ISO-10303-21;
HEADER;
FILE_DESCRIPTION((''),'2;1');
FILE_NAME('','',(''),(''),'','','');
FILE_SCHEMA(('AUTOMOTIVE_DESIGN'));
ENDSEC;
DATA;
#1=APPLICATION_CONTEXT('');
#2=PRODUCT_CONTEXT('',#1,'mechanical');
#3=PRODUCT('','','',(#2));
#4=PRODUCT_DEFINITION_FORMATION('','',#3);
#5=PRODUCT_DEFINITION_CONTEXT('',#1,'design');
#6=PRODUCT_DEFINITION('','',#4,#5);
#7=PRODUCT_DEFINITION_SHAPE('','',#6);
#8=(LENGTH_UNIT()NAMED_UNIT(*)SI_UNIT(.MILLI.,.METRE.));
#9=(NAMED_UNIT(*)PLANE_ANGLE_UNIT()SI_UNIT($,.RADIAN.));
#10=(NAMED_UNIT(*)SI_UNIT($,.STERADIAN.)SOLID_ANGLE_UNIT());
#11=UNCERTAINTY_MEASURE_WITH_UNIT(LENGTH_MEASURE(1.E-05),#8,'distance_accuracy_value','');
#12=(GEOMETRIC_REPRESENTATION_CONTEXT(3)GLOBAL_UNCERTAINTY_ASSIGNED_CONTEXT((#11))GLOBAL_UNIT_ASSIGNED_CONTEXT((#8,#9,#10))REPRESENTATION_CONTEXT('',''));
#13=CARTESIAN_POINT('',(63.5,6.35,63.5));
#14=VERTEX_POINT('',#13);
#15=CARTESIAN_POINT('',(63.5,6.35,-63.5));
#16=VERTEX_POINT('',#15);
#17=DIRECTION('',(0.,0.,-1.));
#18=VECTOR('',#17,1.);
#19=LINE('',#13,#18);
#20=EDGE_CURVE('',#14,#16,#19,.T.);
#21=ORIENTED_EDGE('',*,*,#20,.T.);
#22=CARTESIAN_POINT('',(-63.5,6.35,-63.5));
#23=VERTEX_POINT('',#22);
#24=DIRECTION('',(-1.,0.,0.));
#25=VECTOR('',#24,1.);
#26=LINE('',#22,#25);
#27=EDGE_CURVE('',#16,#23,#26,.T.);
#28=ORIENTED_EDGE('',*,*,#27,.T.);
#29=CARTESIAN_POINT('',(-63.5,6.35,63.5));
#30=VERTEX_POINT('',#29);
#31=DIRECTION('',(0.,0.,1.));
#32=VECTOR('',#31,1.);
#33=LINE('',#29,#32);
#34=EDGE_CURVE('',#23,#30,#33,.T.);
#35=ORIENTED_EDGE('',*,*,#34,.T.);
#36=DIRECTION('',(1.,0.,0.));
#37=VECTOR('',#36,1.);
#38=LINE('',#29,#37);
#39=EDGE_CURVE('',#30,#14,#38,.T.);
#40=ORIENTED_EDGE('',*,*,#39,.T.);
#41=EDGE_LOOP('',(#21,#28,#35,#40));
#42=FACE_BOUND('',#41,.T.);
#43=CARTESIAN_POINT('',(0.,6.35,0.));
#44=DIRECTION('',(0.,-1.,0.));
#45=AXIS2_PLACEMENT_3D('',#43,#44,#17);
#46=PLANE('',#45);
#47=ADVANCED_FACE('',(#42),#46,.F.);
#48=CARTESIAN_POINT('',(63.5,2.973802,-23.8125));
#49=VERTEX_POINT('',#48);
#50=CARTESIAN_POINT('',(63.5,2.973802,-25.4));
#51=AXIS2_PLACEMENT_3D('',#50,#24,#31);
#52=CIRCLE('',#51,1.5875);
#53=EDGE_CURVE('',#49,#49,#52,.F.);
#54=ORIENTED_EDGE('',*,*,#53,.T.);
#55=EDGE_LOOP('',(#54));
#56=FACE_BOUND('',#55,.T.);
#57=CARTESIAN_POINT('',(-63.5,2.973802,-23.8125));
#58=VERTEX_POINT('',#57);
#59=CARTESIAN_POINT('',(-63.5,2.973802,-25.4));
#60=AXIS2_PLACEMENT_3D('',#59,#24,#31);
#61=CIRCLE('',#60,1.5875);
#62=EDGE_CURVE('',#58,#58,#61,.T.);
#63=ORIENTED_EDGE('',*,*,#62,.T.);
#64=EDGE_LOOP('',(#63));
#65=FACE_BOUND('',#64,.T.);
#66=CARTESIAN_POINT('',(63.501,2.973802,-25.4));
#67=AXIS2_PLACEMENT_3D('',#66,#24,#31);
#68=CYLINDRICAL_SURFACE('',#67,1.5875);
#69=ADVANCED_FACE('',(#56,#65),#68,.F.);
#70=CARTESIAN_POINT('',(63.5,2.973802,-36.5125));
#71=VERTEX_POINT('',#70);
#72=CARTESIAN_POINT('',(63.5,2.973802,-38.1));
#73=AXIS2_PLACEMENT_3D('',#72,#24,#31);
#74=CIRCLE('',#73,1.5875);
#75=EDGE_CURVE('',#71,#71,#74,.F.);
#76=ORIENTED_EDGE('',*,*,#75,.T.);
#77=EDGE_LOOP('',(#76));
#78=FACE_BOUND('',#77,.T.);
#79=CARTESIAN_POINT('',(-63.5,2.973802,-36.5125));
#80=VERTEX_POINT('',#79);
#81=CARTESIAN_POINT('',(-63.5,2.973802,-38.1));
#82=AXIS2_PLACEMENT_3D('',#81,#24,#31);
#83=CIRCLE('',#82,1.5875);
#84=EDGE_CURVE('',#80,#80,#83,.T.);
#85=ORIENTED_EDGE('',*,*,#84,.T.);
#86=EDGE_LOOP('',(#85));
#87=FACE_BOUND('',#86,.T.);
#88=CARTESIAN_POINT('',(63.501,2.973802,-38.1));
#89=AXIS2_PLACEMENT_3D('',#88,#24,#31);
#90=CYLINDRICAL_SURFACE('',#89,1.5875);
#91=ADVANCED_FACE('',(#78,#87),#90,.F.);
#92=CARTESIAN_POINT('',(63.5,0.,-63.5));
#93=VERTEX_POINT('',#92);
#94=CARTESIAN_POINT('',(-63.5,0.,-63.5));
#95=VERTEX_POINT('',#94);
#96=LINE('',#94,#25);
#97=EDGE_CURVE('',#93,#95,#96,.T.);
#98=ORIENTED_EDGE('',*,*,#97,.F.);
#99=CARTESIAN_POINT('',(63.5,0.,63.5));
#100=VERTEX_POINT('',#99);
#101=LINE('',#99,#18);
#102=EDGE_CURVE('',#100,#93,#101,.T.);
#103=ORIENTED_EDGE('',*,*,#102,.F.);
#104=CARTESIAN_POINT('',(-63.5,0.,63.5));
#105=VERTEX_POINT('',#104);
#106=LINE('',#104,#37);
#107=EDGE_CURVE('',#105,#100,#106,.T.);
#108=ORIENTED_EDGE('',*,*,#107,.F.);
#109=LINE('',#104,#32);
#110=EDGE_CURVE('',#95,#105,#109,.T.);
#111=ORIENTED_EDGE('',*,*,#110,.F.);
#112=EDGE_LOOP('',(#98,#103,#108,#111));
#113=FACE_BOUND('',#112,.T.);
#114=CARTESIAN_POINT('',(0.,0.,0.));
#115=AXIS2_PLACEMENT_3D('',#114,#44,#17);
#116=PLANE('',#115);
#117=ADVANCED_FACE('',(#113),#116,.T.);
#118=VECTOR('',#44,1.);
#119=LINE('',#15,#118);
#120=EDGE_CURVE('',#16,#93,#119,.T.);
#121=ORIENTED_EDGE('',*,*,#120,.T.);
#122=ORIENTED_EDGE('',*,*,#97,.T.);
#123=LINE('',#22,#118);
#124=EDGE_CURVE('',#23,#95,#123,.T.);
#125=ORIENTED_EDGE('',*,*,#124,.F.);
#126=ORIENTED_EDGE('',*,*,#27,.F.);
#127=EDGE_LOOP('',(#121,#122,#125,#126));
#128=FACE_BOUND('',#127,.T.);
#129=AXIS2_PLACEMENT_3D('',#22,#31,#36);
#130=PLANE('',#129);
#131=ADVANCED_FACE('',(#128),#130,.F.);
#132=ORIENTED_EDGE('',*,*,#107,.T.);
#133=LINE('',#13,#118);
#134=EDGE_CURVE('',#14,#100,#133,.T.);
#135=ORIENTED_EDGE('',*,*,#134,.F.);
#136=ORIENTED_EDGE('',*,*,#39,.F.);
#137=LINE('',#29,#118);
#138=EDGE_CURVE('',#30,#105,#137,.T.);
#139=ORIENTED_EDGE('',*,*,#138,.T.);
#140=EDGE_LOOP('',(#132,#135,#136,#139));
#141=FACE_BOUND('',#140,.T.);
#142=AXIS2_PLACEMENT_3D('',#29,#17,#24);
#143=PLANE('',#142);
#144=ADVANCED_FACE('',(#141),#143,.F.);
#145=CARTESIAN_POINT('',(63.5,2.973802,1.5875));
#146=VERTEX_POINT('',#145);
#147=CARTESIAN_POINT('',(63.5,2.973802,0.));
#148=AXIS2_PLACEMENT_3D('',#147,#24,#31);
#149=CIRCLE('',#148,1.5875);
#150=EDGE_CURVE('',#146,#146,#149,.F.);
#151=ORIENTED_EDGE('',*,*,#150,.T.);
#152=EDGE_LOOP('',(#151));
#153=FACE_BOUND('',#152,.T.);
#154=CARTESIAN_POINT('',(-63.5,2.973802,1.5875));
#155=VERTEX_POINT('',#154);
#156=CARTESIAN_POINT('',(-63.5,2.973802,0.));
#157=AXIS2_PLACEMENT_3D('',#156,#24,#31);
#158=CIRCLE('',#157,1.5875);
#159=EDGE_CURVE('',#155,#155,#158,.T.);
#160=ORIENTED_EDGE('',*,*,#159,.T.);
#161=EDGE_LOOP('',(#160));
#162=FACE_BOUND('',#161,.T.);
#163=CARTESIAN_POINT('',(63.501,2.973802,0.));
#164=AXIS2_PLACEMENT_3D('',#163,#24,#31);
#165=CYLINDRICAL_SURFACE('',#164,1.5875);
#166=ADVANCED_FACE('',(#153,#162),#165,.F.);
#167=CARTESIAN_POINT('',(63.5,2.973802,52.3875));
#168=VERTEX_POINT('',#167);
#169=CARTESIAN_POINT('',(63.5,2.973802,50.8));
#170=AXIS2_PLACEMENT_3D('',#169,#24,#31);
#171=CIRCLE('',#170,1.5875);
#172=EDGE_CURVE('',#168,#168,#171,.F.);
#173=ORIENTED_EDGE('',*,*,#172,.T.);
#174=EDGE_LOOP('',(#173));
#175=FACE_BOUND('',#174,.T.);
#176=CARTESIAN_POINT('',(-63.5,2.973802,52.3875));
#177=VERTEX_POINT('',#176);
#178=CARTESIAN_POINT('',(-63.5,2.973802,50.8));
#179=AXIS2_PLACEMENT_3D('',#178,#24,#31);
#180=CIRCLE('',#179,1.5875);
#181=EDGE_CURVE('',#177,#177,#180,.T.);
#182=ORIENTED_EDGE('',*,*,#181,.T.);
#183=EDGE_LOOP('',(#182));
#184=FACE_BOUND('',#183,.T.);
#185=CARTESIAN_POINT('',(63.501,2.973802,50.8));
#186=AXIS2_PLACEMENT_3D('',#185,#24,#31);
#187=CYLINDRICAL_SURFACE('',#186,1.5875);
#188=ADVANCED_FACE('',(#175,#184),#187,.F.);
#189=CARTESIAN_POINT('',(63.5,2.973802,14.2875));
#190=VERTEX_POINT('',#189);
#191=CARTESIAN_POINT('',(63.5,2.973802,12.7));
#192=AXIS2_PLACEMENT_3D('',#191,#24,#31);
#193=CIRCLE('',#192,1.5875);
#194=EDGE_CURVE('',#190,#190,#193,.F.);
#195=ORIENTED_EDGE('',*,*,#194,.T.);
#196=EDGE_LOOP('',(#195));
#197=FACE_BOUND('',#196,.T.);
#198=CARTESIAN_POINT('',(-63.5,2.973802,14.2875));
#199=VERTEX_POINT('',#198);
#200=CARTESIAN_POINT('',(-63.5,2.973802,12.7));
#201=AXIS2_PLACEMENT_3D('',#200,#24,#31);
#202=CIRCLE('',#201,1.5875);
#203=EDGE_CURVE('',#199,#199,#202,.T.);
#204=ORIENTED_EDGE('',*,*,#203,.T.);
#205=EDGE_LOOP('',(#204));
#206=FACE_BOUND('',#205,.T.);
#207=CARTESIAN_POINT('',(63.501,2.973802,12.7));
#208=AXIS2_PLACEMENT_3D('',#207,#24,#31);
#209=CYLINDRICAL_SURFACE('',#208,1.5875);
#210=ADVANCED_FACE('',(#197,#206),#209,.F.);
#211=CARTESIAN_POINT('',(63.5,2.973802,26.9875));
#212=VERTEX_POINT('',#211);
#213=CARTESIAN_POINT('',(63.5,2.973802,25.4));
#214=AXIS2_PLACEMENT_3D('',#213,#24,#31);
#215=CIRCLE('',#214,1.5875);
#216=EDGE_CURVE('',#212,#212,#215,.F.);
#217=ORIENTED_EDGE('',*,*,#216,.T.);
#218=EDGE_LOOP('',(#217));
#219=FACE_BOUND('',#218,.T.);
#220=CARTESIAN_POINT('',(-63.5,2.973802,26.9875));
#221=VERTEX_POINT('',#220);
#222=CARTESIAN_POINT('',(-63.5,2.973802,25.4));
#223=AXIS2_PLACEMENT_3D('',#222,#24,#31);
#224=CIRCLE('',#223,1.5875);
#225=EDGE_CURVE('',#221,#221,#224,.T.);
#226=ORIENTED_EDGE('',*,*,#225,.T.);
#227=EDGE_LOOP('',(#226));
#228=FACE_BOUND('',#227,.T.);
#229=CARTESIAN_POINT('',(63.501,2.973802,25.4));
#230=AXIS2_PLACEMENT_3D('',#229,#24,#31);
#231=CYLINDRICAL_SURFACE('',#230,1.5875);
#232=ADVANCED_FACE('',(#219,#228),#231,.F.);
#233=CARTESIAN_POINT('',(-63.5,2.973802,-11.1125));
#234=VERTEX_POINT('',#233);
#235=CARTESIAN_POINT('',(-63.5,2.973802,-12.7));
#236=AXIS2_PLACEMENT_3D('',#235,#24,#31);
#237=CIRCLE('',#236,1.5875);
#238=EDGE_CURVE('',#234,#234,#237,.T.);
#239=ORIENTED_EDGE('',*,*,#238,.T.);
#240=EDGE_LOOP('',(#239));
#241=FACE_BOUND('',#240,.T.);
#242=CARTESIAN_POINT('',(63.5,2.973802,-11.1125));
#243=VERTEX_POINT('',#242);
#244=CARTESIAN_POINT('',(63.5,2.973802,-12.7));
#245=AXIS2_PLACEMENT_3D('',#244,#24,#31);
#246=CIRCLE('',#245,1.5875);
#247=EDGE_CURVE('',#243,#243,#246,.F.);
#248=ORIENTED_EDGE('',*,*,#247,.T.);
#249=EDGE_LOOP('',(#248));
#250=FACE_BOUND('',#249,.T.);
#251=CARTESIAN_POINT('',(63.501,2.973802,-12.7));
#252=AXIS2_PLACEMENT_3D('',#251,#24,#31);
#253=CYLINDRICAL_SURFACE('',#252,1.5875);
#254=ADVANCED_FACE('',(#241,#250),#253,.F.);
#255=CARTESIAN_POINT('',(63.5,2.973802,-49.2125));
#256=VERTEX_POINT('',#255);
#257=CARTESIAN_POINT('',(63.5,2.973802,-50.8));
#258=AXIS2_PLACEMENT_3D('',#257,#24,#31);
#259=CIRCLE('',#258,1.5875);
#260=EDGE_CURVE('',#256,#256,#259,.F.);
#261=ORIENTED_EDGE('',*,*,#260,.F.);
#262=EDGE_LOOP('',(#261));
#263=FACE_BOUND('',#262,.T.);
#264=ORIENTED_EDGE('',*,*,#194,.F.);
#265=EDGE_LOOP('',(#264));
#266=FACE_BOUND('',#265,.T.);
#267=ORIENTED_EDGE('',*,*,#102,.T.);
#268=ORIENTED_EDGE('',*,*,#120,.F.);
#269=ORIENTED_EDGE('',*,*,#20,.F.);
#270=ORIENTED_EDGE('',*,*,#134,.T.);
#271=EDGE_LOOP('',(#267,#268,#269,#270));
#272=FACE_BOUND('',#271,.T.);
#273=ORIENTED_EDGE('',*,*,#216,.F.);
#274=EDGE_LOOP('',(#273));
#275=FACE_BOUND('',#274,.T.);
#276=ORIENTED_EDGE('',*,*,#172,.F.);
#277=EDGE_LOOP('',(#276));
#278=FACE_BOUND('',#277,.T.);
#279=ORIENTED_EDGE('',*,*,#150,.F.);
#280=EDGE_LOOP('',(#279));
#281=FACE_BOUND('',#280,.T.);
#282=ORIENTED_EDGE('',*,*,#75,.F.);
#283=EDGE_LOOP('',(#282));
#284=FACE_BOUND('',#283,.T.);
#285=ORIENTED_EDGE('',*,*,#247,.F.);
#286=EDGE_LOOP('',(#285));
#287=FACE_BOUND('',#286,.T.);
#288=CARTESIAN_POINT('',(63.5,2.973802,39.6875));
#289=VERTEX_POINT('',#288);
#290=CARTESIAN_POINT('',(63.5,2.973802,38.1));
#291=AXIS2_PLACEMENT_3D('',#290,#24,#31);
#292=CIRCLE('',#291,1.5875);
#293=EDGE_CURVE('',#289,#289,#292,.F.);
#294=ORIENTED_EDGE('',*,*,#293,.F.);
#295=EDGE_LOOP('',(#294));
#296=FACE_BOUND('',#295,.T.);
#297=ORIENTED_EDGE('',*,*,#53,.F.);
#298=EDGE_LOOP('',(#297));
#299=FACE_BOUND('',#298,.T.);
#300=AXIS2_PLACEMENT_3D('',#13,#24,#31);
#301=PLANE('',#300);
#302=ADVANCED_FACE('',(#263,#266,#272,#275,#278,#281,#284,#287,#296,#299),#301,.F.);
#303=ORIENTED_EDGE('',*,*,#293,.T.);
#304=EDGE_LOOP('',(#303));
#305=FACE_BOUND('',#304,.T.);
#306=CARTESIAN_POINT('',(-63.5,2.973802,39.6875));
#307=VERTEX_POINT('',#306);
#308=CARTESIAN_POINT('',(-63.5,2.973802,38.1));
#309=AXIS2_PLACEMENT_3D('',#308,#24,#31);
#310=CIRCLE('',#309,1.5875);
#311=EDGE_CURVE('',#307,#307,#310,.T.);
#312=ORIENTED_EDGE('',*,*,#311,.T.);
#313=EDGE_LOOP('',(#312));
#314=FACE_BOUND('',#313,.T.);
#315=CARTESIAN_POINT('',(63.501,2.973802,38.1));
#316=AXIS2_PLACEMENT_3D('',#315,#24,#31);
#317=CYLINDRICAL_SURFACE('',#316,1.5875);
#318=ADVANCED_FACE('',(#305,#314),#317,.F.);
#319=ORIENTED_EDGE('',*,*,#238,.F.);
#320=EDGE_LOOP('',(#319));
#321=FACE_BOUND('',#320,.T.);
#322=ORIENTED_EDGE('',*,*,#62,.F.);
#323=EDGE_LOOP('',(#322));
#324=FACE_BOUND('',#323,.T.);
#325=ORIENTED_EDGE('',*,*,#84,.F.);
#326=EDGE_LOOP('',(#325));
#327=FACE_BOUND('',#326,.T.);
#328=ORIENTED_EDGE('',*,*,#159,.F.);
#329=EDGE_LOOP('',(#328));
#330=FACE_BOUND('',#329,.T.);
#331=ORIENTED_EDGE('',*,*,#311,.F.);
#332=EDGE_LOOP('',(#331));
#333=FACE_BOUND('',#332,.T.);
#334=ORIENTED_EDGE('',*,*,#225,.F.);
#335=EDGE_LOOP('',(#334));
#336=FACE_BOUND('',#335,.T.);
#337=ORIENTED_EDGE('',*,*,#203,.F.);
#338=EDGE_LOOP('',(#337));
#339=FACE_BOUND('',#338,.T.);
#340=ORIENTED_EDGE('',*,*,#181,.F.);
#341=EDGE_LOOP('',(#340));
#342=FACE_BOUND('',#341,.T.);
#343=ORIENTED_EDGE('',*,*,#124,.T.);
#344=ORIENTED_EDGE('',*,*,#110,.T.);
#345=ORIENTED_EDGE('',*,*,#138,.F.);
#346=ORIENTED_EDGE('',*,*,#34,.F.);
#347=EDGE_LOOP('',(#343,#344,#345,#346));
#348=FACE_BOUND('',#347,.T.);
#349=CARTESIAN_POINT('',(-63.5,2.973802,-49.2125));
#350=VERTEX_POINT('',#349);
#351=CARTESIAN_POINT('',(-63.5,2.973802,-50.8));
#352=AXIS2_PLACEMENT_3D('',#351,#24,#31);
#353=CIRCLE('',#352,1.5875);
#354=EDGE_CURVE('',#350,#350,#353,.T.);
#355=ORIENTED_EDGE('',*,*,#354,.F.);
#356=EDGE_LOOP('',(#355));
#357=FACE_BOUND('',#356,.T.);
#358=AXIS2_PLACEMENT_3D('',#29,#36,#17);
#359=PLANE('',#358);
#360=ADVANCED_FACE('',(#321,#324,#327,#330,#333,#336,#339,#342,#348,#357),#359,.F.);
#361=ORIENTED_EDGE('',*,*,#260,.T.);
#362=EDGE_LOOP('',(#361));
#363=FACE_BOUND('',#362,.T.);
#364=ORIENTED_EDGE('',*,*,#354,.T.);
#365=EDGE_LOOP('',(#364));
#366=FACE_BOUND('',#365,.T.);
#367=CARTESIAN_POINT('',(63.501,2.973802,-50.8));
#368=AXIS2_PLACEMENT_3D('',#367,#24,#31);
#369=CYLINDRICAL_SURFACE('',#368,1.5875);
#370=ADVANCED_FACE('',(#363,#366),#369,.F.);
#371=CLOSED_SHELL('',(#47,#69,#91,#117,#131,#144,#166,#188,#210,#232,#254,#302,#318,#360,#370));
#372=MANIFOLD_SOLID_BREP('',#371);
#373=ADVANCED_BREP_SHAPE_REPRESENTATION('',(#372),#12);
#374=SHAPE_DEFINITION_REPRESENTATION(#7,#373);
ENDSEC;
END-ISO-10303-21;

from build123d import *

# Parameters (mm, degrees)
SKETCH1_W           = 127
SKETCH1_H           = 127
BOSS_EXTRUDE1_DEPTH = 6.35
CUT_EXTRUDE1_REACH  = 144.132
SKETCH3_R           = 1.5875
LPATTERN1_COUNT     = 9
LPATTERN1_PITCH     = 12.7


with BuildPart() as part:
    # Sketch1 → Boss-Extrude1 (new body)
    with BuildSketch(Plane(origin=(0, 0, 0), x_dir=(1, 0, 0), z_dir=(0, 1, 0))):
        Rectangle(SKETCH1_W, SKETCH1_H)
    extrude(amount=BOSS_EXTRUDE1_DEPTH)

    # Sketch3 → Cut-Extrude1 (cut, up to next)
    with BuildSketch(Plane.ZY.offset(63.5), mode=Mode.PRIVATE) as cut_extrude1_sk1:
        with Locations((-50.8, 2.973801717)):
            Circle(SKETCH3_R)
    cut_extrude1_tool1 = extrude(cut_extrude1_sk1.sketch, amount=-CUT_EXTRUDE1_REACH, mode=Mode.PRIVATE) & part.part
    cut_extrude1 = cut_extrude1_tool1.solids().sort_by_distance((-63.5, 2.973802, -50.8))[0]
    add(cut_extrude1, mode=Mode.SUBTRACT)

    # LPattern1: Cut-Extrude1 ×9
    with Locations(*[(0, 0, i * LPATTERN1_PITCH) for i in range(1, LPATTERN1_COUNT)]):
        add(cut_extrude1, mode=Mode.SUBTRACT)


solid = part.part
